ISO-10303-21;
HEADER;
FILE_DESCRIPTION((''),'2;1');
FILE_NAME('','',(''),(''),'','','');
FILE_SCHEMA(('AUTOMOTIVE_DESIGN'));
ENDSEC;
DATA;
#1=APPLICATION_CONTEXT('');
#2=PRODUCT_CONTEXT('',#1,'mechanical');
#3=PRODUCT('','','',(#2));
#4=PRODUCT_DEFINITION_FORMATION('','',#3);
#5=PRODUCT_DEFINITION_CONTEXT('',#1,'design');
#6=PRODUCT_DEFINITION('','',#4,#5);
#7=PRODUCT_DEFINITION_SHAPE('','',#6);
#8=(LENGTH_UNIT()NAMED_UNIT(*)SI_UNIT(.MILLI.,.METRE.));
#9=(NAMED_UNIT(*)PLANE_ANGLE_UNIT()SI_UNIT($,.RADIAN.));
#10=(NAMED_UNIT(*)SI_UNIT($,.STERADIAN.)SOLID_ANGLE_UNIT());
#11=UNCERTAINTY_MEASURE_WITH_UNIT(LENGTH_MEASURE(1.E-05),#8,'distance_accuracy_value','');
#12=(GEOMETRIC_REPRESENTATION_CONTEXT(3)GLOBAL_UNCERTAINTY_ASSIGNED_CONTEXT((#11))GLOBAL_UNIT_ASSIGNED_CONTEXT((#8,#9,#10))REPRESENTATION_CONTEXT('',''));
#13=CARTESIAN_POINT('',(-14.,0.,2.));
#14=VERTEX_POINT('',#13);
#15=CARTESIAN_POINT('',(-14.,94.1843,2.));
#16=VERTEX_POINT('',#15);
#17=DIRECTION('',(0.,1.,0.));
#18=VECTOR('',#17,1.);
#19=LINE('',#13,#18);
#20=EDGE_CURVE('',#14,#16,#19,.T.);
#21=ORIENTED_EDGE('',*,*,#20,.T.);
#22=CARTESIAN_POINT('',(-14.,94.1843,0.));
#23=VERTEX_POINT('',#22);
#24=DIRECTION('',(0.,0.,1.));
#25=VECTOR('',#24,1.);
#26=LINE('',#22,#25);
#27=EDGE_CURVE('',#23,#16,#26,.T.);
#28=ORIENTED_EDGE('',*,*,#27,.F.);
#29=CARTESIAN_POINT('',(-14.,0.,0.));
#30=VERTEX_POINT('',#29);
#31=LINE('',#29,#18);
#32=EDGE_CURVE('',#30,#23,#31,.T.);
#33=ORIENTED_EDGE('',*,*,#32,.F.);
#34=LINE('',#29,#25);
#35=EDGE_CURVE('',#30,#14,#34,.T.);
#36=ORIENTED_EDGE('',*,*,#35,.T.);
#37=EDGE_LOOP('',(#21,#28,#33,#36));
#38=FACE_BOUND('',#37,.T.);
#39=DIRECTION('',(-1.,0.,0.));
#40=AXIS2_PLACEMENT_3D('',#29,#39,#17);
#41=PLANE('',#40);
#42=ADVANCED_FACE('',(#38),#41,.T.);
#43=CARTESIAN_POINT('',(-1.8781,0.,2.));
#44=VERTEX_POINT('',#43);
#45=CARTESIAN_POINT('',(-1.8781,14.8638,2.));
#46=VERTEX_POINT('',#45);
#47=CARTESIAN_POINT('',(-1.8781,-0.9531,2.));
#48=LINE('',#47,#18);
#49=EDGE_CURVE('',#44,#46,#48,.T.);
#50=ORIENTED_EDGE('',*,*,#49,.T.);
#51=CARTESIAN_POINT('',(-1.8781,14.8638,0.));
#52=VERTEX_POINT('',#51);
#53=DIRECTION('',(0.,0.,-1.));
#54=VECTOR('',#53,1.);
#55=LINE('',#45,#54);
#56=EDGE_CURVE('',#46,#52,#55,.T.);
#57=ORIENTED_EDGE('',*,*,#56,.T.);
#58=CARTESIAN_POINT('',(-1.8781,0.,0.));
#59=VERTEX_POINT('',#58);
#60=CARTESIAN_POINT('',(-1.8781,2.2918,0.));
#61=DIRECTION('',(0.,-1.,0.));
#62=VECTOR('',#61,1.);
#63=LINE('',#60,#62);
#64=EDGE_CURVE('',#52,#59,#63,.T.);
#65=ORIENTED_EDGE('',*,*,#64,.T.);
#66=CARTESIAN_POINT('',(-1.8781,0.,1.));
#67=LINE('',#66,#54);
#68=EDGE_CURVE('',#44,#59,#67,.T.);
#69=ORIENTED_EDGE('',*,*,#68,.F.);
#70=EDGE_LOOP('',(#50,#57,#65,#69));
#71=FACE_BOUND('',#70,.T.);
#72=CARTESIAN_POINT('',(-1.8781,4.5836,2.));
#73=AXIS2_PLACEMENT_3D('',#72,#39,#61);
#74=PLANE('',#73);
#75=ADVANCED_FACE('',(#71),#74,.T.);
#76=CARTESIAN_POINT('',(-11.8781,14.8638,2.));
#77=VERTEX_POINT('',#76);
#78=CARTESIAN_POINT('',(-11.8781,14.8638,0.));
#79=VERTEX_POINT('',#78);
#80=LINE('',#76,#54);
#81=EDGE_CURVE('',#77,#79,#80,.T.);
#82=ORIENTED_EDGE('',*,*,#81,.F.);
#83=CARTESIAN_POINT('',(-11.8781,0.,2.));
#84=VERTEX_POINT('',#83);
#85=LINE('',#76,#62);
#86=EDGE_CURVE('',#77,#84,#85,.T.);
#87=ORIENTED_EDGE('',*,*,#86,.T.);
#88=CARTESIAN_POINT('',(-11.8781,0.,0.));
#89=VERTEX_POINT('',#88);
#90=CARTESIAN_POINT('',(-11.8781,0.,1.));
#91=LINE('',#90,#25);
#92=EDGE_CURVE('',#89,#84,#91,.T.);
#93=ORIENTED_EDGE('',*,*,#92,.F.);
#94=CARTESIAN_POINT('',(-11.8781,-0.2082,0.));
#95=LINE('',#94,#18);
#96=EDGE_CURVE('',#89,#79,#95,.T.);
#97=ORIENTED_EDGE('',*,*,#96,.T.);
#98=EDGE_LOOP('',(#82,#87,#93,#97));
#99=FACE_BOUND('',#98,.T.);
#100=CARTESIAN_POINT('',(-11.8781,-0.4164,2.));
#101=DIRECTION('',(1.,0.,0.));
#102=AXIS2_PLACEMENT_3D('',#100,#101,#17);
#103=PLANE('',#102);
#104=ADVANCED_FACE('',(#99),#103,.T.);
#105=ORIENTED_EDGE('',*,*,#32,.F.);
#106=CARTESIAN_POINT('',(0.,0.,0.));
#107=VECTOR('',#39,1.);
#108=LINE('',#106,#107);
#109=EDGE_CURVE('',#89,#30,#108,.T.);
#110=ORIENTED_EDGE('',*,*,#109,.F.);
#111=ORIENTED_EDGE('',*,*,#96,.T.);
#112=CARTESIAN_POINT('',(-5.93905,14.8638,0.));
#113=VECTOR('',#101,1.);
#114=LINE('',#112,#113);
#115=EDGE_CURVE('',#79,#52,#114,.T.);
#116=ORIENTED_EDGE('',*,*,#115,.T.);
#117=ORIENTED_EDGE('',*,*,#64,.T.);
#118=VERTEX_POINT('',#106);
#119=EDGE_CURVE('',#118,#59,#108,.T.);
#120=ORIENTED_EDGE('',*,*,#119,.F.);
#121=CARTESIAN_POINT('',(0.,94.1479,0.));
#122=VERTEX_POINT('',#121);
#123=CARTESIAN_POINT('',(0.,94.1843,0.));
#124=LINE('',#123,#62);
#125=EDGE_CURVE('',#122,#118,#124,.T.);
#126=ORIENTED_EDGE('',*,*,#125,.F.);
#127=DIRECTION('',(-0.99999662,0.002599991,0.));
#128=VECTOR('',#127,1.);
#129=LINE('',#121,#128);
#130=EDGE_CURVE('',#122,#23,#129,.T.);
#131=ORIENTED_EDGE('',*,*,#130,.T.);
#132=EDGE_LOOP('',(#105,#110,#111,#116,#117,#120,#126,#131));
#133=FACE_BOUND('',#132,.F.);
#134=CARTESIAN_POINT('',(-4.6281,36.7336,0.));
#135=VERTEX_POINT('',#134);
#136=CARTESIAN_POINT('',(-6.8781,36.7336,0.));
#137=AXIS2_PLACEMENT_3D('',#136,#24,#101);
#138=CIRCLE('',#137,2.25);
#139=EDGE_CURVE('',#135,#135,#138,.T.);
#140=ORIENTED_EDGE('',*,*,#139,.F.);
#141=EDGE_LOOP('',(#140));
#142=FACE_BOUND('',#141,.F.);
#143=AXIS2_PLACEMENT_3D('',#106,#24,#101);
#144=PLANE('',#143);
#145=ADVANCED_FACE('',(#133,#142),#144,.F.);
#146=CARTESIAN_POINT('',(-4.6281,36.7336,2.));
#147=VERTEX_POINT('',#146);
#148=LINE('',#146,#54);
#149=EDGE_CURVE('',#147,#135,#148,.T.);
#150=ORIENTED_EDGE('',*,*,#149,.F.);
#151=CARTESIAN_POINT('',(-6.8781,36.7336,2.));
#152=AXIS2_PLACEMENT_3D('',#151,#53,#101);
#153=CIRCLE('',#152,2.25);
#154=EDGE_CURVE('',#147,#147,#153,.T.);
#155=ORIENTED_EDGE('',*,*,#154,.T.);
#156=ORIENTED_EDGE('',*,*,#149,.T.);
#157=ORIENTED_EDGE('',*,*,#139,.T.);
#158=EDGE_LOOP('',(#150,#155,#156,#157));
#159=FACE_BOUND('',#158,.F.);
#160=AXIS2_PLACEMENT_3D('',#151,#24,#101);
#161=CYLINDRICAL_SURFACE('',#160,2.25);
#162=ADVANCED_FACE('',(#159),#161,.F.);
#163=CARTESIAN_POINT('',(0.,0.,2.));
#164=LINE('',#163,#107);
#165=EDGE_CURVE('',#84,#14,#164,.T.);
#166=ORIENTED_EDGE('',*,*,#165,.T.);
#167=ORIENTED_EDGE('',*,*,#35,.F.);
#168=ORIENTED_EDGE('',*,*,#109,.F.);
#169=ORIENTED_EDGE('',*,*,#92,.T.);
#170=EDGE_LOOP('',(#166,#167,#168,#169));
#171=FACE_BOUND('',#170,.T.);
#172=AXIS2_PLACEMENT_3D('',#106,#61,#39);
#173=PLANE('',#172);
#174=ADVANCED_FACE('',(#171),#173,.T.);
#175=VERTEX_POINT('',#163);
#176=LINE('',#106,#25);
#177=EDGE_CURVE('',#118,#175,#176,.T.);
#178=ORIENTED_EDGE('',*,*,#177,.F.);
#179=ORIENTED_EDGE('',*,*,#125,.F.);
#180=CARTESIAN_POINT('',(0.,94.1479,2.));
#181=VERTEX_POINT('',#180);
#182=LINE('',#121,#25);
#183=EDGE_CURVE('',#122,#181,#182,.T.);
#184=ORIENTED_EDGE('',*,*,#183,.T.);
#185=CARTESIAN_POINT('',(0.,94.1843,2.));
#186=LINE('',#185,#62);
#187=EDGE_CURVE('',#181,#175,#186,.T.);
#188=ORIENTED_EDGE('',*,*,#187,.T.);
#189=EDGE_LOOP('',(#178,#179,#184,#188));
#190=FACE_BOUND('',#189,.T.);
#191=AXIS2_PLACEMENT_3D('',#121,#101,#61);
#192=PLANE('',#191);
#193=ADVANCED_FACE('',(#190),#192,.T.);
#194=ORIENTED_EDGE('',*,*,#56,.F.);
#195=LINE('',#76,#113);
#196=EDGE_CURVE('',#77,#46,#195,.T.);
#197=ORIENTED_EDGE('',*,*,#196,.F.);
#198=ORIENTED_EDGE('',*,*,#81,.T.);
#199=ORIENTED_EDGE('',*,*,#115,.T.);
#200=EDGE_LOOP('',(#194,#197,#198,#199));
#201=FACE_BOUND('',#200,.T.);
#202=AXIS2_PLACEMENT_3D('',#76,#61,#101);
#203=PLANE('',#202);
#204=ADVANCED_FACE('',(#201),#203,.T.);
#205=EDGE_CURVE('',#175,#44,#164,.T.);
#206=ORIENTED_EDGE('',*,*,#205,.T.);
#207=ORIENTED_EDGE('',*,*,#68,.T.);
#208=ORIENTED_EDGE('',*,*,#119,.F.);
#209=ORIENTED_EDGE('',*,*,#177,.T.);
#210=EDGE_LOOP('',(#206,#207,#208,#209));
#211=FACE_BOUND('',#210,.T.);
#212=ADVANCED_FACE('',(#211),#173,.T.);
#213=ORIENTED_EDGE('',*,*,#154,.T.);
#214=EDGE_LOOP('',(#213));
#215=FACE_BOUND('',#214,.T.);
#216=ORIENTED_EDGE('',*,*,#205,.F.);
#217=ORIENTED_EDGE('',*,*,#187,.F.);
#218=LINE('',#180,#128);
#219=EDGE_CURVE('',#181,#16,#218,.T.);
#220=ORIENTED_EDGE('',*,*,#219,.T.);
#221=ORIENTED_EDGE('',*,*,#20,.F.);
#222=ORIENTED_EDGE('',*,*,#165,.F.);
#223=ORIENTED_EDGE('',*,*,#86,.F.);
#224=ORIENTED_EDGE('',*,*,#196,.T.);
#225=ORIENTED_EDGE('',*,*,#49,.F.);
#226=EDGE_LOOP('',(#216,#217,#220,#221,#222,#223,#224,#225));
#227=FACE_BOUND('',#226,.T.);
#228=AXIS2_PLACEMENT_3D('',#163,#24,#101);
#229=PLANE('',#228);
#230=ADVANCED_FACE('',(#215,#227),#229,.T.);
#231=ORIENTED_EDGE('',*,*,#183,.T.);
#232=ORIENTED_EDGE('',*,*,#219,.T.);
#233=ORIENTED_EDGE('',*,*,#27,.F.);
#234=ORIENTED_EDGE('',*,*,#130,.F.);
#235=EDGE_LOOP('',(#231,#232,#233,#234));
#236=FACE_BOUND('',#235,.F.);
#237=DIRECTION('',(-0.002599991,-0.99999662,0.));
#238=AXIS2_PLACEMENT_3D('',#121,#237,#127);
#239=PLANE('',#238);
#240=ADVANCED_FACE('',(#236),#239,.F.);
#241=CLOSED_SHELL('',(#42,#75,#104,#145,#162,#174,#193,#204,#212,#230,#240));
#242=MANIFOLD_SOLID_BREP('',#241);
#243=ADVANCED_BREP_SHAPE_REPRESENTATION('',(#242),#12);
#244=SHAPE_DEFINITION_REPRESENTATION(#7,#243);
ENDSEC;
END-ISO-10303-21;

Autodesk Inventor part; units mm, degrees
ref_plane "YZ Plane" through (0, 0, 0) normal (1, 0, 0) x (0, 1, 0)
ref_plane "XZ Plane" through (0, 0, 0) normal (0, 1, 0) x (-1, 0, 0)
ref_plane "XY Plane" through (0, 0, 0) normal (0, 0, 1) x (1, 0, 0)
sketch "Sketch1" plane through (0, 0, 0) normal (0, 0, 1) x (1, 0, 0)
  line L0 (0, 94.1479) -> (-14, 94.1843) projected
  line L1 (0, 0) -> (-14, 0)
  line L2 (-14, 0) -> (-14, 94.1843)
  line L3 (-14, 94.1843) -> (0, 94.1843)
  line L4 (0, 94.1843) -> (0, 0)
  line L5 (-14, 94.1843) -> (0, 94.1843)
  line L6 (0, 94.1843) -> (0, 114.1843)
  line L7 (0, 114.1843) -> (-14, 114.1843)
  line L8 (-14, 114.1843) -> (-14, 94.1843)
  line L9 (0, 0) -> (0, -4)
  line L10 (0, -4) -> (-14, -4)
  line L11 (-14, 0) -> (-14, -4)
  point P0 (0, 88.7812)
  point P1 (0, 94.1479)
  dimension "d0" = 20
  dimension "d7" = 4
extrude "Extrusion1" add sketch "Sketch1" along normal blind 2 contours L4 L1 L2 L0
sketch "Sketch2" plane through (0, 0, 2) normal (0, 0, 1) x (1, 0, 0)
  circle A0 centre (-5.7096, 36.7123) radius 6.15 projected
  circle A1 centre (-5.7096, 36.7123) radius 2.15 projected
  circle A2 centre (-6.8781, 4.5836) radius 17.5 projected
  circle A3 centre (-6.8781, 4.5836) radius 5 projected
  circle A4 centre (-6.8781, 4.5836) radius 32.15
  circle A5 centre (-6.8781, 36.7336) radius 2.25
  line L0 (-6.8781, 4.5836) -> (-6.8781, 17.8952) construction
  line L1 (-6.8781, 36.7336) -> (-6.8781, 4.5836) construction
  line L2 (-11.8781, -0.9531) -> (-11.8781, 14.8638)
  line L3 (-11.8781, 14.8638) -> (-1.8781, 14.8638)
  line L4 (-1.8781, 14.8638) -> (-1.8781, -0.9531)
  line L5 (-1.8781, -0.9531) -> (-11.8781, -0.9531)
  arc A6 (-11.8781, -0.4164) -> (-1.8781, -0.4164) centre (-6.8781, -0.4164) ccw projected
  point P0 (0, 0)
  point P1 (-1.8781, 4.5836)
  point P2 (-11.8781, 4.5836)
  dimension "d3" = 4.5
  dimension "d4" = 0
extrude "Extrusion2" cut sketch "Sketch2" against normal through all contours A5 A1 A4 | A4 A1 A5 | A4 A5 A1 | A1 A5 A4 | A3 | L4 A6 L5 L2 A3 | A3 L2 L3 L4 | L4 L5 A6 | A6 L5 L2 picked at (-8.3259, 37.2162) picked at (-8.3126, 36.1952) picked at (-6.3657, 36.0685) picked at (-6.3452, 37.3793)
equation "\"BendRadius\" = Thickness"
equation "\"BendReliefWidth\" = Thickness"
equation "\"BendReliefDepth\" = 0.5 * Thickness"
equation "\"CornerReliefSize\" = 4 * Thickness"
equation "\"MinimumRemnant\" = 2 * Thickness"
equation "\"TransitionRadius\" = BendRadius"
equation "\"JacobiRadiusSize\" = BendRadius"
equation "\"GapSize\" = Thickness"
equation "\"Thickness\" = 2"
properties part number "backWheelNoMotor brake mount" material "Steel, Mild"
